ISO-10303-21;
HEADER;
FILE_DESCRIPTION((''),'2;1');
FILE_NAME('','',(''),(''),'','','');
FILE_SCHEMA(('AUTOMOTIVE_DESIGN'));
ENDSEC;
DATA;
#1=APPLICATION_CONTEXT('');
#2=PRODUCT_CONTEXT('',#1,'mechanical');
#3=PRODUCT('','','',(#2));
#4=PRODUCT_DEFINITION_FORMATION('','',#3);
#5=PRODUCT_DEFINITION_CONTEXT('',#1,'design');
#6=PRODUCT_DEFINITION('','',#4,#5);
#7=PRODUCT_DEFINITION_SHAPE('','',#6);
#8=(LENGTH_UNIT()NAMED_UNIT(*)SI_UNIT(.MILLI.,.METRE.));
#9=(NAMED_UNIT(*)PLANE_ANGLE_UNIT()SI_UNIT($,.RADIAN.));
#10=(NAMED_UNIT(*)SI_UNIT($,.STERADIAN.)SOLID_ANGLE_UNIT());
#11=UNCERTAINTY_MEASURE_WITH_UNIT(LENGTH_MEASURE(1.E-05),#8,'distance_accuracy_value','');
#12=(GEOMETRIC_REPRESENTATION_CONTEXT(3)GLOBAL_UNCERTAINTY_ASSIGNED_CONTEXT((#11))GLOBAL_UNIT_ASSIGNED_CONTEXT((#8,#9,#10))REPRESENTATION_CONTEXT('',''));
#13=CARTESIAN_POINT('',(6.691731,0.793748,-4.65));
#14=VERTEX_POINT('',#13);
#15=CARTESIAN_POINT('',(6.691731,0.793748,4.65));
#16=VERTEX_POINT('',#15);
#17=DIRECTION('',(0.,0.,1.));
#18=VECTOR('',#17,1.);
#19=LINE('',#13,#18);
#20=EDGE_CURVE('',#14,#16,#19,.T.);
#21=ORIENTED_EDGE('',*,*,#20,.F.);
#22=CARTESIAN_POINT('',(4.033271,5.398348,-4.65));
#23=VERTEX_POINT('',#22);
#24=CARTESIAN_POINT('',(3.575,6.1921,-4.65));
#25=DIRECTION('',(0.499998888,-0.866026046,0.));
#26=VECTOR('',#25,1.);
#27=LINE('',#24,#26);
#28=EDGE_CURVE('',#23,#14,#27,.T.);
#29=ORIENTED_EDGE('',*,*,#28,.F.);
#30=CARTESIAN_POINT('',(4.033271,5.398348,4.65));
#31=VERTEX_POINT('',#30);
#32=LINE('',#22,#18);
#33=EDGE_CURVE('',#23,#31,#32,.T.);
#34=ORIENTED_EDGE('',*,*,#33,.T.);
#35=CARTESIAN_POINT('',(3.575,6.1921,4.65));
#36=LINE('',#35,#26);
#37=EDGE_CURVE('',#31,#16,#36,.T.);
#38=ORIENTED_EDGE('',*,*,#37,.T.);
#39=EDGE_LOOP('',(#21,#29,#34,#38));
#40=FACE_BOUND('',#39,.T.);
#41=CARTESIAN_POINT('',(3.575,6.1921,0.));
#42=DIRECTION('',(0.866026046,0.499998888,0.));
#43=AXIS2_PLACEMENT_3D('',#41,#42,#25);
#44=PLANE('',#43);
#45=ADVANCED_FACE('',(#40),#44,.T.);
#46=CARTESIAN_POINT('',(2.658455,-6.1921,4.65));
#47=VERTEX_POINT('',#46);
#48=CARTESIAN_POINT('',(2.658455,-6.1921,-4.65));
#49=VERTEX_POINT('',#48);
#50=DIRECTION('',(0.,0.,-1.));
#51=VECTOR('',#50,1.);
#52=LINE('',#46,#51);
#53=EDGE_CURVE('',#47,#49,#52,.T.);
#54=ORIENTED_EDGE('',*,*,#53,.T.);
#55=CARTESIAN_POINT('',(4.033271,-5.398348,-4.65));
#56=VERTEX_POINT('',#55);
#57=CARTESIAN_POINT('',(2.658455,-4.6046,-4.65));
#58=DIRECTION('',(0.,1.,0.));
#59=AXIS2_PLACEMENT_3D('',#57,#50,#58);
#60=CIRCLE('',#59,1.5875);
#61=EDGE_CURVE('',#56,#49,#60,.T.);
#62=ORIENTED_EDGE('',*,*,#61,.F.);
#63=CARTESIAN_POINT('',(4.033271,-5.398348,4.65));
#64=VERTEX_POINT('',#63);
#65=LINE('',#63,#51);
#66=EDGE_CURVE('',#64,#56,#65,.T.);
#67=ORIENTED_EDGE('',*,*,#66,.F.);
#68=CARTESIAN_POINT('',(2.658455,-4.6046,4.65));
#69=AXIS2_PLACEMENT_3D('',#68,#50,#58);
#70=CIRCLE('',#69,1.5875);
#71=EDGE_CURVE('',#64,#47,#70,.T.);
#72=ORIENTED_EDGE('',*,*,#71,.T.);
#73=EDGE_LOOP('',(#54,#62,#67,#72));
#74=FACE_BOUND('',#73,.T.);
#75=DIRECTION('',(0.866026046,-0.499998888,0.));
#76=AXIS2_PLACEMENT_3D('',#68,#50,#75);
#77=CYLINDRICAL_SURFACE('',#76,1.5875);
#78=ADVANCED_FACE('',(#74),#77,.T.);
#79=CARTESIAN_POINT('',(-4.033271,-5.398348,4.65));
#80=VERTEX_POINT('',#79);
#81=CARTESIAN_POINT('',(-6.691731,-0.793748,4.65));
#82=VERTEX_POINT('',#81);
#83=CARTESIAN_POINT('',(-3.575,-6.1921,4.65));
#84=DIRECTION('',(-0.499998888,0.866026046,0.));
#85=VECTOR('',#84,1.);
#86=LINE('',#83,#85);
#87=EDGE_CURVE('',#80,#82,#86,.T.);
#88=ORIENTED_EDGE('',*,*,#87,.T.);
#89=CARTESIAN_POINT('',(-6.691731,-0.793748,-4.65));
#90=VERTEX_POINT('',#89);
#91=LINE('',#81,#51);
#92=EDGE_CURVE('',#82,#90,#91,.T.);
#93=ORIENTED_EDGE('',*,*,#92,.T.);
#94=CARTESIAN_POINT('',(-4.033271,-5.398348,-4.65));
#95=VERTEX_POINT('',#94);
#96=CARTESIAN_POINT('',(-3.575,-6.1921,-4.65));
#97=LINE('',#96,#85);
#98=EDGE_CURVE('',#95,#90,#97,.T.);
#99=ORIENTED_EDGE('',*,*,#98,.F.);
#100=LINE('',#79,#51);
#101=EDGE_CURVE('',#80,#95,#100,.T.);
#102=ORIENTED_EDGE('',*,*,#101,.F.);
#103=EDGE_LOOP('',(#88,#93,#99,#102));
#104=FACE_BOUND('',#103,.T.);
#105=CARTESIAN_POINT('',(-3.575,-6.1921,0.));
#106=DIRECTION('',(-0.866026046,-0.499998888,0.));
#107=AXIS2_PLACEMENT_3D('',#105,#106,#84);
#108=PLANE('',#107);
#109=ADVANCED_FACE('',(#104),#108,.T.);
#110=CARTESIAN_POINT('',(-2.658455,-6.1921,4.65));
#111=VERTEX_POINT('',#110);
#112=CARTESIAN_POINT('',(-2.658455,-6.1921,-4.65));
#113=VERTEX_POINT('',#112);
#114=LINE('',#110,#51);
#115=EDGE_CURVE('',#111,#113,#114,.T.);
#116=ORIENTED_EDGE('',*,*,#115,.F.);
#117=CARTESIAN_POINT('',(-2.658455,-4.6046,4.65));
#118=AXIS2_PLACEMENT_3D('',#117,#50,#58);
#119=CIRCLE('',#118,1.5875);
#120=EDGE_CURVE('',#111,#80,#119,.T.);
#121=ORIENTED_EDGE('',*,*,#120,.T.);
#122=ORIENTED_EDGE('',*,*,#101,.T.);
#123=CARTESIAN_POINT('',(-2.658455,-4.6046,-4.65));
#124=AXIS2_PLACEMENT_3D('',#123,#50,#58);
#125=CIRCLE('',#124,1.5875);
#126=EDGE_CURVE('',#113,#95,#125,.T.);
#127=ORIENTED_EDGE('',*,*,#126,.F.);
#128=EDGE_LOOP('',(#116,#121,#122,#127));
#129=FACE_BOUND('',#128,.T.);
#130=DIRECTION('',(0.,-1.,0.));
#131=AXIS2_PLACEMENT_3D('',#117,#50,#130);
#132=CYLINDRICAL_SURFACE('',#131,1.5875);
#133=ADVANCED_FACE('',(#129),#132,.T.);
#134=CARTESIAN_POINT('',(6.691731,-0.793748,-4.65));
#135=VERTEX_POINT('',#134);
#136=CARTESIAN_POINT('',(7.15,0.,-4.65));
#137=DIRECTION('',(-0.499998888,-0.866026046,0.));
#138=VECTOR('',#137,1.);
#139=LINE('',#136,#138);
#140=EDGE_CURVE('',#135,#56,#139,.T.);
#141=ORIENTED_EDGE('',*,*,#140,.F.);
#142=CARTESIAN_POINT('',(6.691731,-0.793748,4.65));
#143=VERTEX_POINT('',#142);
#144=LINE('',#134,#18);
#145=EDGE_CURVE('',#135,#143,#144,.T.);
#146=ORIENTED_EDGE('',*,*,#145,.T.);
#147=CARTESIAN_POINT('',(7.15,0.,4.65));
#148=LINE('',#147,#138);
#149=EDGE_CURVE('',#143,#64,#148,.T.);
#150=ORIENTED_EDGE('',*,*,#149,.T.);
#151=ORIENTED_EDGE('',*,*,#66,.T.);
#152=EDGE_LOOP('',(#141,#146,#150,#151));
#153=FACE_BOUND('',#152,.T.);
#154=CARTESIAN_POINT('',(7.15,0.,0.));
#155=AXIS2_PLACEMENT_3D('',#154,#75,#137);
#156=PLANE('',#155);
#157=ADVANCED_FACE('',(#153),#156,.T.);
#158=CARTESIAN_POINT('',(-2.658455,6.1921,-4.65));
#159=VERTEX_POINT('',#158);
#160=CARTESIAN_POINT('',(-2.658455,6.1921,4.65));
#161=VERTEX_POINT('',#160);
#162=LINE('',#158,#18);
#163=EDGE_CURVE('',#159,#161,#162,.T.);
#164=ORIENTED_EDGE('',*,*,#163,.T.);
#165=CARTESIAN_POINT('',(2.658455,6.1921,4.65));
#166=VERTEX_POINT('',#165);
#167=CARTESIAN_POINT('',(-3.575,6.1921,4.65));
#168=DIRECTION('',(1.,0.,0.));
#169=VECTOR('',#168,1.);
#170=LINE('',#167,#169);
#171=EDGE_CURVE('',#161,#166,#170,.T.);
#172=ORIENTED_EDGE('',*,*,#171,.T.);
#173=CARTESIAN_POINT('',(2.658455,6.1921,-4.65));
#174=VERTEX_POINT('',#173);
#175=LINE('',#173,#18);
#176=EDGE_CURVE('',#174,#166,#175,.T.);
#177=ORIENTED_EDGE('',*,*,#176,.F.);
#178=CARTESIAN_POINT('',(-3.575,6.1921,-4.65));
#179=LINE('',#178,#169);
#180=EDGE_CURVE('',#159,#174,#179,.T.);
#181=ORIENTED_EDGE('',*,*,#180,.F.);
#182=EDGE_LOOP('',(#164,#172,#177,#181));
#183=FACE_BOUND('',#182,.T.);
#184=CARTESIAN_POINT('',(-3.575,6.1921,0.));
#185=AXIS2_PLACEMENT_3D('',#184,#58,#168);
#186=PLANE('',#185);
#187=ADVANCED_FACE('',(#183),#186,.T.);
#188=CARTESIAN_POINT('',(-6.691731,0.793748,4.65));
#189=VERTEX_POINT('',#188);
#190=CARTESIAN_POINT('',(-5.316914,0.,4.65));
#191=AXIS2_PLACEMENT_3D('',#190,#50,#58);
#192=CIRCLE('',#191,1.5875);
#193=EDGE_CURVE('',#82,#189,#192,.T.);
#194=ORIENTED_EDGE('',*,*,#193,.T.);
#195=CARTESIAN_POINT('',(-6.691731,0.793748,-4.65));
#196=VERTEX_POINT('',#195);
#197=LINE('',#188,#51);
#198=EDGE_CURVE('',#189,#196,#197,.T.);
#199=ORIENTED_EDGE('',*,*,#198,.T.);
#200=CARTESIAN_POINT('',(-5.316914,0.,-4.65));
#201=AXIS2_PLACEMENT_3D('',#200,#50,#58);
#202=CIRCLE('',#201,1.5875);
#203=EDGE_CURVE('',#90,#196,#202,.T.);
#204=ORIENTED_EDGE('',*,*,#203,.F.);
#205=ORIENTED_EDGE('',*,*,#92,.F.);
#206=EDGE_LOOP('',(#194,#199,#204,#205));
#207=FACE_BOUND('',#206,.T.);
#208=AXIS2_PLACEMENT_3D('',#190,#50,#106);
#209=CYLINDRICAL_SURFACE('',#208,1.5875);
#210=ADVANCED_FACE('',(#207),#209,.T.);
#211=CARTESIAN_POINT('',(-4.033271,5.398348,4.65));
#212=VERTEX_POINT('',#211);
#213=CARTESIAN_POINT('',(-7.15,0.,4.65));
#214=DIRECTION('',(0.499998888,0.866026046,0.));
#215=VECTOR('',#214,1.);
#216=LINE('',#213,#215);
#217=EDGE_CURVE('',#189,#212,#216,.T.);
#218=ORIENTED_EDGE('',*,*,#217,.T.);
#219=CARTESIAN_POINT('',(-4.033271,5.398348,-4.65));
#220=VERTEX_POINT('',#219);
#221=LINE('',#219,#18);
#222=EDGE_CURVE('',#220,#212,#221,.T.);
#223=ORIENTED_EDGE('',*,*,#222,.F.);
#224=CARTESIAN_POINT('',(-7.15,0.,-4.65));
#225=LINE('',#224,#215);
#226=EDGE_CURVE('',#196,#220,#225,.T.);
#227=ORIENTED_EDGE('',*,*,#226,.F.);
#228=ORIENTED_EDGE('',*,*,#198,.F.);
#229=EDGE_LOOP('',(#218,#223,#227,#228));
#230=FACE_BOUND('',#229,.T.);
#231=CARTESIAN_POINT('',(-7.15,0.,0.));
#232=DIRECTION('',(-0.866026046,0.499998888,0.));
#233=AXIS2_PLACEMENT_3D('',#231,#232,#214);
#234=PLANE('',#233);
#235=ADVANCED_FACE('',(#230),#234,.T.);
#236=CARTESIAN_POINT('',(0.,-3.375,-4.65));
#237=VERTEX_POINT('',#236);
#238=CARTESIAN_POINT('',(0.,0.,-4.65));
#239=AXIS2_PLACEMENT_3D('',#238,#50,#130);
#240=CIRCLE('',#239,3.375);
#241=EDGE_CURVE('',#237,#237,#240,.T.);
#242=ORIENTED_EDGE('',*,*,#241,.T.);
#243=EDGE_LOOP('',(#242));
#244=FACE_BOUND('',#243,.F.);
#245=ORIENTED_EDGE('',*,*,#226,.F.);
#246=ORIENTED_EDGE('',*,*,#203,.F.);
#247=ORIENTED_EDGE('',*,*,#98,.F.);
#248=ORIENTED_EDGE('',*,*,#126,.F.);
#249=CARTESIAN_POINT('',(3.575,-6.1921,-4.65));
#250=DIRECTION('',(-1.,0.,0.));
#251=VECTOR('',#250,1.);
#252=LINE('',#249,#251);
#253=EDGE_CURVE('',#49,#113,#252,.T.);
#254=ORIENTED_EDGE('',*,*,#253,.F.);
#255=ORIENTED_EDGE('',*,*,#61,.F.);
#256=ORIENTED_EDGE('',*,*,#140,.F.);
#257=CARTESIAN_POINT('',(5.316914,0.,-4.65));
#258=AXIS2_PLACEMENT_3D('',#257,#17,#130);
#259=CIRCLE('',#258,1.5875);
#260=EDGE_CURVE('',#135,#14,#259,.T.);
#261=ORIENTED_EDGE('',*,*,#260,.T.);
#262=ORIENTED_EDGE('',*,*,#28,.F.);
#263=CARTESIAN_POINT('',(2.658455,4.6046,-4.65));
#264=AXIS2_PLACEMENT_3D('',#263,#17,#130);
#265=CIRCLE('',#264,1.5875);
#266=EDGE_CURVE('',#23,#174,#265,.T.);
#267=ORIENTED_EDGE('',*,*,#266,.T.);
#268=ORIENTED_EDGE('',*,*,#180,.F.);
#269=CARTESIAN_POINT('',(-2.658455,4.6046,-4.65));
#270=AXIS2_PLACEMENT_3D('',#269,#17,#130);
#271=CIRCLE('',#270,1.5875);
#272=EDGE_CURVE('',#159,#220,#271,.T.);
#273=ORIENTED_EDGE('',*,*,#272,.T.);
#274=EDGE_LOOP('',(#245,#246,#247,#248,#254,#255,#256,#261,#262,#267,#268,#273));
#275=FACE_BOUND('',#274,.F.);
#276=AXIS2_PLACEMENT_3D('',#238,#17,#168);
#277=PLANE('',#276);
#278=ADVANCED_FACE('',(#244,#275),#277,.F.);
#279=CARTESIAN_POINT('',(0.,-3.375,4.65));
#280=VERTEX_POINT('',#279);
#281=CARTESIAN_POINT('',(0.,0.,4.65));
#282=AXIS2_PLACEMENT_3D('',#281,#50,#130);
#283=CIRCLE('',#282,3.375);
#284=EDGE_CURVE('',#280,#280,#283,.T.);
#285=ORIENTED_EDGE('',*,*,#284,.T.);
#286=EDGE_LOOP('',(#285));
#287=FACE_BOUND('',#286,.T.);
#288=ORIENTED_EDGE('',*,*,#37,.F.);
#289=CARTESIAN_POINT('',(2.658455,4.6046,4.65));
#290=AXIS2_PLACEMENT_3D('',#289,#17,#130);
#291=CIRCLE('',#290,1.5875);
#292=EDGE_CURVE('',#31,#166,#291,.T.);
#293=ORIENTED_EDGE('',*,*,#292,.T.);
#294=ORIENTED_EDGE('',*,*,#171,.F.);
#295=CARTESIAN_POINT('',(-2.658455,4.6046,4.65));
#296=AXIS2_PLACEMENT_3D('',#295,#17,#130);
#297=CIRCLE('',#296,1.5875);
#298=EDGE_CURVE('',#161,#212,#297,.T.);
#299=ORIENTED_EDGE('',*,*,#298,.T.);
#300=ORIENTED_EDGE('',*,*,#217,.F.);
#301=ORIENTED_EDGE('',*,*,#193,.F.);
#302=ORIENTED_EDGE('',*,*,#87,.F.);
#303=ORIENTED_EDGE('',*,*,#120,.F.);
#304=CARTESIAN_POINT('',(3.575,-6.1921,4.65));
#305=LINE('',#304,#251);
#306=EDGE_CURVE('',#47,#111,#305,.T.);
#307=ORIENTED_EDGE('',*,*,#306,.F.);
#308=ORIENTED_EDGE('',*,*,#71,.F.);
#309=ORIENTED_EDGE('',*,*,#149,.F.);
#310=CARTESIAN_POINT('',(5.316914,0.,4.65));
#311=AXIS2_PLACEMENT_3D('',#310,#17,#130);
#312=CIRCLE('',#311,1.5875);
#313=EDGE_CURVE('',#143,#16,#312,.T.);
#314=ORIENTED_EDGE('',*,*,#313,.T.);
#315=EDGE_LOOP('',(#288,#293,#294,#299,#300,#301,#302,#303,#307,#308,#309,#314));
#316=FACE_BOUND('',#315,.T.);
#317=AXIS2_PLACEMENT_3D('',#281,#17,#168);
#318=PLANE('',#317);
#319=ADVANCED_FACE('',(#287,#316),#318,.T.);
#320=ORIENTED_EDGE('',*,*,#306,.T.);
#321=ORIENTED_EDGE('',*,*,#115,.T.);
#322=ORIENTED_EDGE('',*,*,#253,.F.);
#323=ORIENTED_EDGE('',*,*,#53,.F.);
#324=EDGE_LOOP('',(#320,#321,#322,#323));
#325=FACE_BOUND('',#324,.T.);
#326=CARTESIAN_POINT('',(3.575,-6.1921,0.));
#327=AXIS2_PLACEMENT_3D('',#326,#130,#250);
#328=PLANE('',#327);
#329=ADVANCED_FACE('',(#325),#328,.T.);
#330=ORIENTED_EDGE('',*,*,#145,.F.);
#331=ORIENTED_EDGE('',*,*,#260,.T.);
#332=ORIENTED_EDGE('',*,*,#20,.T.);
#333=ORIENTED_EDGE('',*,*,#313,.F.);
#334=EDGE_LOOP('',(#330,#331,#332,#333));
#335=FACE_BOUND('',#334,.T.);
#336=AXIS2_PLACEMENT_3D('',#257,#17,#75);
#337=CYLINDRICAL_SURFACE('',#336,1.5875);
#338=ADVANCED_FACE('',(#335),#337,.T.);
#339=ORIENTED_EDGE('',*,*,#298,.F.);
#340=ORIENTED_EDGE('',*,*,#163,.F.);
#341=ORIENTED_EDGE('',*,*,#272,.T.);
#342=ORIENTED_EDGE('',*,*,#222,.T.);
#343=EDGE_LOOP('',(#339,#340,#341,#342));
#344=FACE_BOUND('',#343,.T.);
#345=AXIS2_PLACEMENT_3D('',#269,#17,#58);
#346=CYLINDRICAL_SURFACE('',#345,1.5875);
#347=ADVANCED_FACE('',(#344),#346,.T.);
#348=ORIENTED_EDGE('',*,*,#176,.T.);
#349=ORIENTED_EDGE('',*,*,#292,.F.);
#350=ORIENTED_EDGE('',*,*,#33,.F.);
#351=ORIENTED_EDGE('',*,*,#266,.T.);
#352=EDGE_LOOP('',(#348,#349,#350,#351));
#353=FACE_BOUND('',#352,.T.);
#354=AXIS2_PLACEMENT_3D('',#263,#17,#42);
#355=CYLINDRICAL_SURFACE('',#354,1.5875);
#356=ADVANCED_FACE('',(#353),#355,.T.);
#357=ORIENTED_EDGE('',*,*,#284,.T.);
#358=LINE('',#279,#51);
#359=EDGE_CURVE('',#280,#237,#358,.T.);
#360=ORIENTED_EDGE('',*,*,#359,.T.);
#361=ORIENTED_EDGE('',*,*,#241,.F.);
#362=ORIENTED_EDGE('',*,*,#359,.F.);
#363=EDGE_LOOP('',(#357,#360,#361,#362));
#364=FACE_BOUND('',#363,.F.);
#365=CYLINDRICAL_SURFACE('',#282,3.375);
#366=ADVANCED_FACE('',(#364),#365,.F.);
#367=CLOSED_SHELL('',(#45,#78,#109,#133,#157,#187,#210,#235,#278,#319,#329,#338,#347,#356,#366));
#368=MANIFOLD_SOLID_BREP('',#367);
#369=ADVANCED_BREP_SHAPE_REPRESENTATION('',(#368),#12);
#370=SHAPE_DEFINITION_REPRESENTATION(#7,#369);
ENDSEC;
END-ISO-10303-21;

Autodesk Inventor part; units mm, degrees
ref_plane "YZ Plane" through (0, 0, 0) normal (1, 0, 0) x (0, 1, 0)
ref_plane "XZ Plane" through (0, 0, 0) normal (0, 1, 0) x (-1, 0, 0)
ref_plane "XY Plane" through (0, 0, 0) normal (0, 0, 1) x (1, 0, 0)
sketch "Sketch1" plane through (0, 0, 0) normal (0, 0, 1) x (1, 0, 0)
  circle A0 centre (0, 0) radius 7.15
  line L0 (-7.15, 0) -> (-3.575, 6.1921)
  line L1 (-3.575, 6.1921) -> (3.575, 6.1921)
  line L2 (3.575, 6.1921) -> (7.15, 0)
  line L3 (7.15, 0) -> (3.575, -6.1921)
  line L4 (3.575, -6.1921) -> (-3.575, -6.1921)
  line L5 (-3.575, -6.1921) -> (-7.15, 0)
  dimension "d0" = 14.3
extrude "Extrusion1" add sketch "Sketch1" along normal mid plane 9.3 contours L3 L4 L5 L0 L1 L2
sketch "Sketch2" plane through (0, 0, 4.65) normal (0, 0, 1) x (1, 0, 0)
  point P0 (0, 0)
hole "Hole1" at (0, 0, 4.65) direction (0, 0, -1) diameter 6.75 end through all
thread "Thread1" size "M8x1.25" class "6H" standard "ANSI Metric M Profile" full length
fillet "Fillet1" radius 1.5875 6 edges at (-3.575, -6.1921, 0) (-7.15, 0, 0) (-3.575, 6.1921, 0) (3.575, 6.1921, 0) (7.15, 0, 0) (3.575, -6.1921, 0)
properties part number "CNC-1.1v-B-1-( nut )"
